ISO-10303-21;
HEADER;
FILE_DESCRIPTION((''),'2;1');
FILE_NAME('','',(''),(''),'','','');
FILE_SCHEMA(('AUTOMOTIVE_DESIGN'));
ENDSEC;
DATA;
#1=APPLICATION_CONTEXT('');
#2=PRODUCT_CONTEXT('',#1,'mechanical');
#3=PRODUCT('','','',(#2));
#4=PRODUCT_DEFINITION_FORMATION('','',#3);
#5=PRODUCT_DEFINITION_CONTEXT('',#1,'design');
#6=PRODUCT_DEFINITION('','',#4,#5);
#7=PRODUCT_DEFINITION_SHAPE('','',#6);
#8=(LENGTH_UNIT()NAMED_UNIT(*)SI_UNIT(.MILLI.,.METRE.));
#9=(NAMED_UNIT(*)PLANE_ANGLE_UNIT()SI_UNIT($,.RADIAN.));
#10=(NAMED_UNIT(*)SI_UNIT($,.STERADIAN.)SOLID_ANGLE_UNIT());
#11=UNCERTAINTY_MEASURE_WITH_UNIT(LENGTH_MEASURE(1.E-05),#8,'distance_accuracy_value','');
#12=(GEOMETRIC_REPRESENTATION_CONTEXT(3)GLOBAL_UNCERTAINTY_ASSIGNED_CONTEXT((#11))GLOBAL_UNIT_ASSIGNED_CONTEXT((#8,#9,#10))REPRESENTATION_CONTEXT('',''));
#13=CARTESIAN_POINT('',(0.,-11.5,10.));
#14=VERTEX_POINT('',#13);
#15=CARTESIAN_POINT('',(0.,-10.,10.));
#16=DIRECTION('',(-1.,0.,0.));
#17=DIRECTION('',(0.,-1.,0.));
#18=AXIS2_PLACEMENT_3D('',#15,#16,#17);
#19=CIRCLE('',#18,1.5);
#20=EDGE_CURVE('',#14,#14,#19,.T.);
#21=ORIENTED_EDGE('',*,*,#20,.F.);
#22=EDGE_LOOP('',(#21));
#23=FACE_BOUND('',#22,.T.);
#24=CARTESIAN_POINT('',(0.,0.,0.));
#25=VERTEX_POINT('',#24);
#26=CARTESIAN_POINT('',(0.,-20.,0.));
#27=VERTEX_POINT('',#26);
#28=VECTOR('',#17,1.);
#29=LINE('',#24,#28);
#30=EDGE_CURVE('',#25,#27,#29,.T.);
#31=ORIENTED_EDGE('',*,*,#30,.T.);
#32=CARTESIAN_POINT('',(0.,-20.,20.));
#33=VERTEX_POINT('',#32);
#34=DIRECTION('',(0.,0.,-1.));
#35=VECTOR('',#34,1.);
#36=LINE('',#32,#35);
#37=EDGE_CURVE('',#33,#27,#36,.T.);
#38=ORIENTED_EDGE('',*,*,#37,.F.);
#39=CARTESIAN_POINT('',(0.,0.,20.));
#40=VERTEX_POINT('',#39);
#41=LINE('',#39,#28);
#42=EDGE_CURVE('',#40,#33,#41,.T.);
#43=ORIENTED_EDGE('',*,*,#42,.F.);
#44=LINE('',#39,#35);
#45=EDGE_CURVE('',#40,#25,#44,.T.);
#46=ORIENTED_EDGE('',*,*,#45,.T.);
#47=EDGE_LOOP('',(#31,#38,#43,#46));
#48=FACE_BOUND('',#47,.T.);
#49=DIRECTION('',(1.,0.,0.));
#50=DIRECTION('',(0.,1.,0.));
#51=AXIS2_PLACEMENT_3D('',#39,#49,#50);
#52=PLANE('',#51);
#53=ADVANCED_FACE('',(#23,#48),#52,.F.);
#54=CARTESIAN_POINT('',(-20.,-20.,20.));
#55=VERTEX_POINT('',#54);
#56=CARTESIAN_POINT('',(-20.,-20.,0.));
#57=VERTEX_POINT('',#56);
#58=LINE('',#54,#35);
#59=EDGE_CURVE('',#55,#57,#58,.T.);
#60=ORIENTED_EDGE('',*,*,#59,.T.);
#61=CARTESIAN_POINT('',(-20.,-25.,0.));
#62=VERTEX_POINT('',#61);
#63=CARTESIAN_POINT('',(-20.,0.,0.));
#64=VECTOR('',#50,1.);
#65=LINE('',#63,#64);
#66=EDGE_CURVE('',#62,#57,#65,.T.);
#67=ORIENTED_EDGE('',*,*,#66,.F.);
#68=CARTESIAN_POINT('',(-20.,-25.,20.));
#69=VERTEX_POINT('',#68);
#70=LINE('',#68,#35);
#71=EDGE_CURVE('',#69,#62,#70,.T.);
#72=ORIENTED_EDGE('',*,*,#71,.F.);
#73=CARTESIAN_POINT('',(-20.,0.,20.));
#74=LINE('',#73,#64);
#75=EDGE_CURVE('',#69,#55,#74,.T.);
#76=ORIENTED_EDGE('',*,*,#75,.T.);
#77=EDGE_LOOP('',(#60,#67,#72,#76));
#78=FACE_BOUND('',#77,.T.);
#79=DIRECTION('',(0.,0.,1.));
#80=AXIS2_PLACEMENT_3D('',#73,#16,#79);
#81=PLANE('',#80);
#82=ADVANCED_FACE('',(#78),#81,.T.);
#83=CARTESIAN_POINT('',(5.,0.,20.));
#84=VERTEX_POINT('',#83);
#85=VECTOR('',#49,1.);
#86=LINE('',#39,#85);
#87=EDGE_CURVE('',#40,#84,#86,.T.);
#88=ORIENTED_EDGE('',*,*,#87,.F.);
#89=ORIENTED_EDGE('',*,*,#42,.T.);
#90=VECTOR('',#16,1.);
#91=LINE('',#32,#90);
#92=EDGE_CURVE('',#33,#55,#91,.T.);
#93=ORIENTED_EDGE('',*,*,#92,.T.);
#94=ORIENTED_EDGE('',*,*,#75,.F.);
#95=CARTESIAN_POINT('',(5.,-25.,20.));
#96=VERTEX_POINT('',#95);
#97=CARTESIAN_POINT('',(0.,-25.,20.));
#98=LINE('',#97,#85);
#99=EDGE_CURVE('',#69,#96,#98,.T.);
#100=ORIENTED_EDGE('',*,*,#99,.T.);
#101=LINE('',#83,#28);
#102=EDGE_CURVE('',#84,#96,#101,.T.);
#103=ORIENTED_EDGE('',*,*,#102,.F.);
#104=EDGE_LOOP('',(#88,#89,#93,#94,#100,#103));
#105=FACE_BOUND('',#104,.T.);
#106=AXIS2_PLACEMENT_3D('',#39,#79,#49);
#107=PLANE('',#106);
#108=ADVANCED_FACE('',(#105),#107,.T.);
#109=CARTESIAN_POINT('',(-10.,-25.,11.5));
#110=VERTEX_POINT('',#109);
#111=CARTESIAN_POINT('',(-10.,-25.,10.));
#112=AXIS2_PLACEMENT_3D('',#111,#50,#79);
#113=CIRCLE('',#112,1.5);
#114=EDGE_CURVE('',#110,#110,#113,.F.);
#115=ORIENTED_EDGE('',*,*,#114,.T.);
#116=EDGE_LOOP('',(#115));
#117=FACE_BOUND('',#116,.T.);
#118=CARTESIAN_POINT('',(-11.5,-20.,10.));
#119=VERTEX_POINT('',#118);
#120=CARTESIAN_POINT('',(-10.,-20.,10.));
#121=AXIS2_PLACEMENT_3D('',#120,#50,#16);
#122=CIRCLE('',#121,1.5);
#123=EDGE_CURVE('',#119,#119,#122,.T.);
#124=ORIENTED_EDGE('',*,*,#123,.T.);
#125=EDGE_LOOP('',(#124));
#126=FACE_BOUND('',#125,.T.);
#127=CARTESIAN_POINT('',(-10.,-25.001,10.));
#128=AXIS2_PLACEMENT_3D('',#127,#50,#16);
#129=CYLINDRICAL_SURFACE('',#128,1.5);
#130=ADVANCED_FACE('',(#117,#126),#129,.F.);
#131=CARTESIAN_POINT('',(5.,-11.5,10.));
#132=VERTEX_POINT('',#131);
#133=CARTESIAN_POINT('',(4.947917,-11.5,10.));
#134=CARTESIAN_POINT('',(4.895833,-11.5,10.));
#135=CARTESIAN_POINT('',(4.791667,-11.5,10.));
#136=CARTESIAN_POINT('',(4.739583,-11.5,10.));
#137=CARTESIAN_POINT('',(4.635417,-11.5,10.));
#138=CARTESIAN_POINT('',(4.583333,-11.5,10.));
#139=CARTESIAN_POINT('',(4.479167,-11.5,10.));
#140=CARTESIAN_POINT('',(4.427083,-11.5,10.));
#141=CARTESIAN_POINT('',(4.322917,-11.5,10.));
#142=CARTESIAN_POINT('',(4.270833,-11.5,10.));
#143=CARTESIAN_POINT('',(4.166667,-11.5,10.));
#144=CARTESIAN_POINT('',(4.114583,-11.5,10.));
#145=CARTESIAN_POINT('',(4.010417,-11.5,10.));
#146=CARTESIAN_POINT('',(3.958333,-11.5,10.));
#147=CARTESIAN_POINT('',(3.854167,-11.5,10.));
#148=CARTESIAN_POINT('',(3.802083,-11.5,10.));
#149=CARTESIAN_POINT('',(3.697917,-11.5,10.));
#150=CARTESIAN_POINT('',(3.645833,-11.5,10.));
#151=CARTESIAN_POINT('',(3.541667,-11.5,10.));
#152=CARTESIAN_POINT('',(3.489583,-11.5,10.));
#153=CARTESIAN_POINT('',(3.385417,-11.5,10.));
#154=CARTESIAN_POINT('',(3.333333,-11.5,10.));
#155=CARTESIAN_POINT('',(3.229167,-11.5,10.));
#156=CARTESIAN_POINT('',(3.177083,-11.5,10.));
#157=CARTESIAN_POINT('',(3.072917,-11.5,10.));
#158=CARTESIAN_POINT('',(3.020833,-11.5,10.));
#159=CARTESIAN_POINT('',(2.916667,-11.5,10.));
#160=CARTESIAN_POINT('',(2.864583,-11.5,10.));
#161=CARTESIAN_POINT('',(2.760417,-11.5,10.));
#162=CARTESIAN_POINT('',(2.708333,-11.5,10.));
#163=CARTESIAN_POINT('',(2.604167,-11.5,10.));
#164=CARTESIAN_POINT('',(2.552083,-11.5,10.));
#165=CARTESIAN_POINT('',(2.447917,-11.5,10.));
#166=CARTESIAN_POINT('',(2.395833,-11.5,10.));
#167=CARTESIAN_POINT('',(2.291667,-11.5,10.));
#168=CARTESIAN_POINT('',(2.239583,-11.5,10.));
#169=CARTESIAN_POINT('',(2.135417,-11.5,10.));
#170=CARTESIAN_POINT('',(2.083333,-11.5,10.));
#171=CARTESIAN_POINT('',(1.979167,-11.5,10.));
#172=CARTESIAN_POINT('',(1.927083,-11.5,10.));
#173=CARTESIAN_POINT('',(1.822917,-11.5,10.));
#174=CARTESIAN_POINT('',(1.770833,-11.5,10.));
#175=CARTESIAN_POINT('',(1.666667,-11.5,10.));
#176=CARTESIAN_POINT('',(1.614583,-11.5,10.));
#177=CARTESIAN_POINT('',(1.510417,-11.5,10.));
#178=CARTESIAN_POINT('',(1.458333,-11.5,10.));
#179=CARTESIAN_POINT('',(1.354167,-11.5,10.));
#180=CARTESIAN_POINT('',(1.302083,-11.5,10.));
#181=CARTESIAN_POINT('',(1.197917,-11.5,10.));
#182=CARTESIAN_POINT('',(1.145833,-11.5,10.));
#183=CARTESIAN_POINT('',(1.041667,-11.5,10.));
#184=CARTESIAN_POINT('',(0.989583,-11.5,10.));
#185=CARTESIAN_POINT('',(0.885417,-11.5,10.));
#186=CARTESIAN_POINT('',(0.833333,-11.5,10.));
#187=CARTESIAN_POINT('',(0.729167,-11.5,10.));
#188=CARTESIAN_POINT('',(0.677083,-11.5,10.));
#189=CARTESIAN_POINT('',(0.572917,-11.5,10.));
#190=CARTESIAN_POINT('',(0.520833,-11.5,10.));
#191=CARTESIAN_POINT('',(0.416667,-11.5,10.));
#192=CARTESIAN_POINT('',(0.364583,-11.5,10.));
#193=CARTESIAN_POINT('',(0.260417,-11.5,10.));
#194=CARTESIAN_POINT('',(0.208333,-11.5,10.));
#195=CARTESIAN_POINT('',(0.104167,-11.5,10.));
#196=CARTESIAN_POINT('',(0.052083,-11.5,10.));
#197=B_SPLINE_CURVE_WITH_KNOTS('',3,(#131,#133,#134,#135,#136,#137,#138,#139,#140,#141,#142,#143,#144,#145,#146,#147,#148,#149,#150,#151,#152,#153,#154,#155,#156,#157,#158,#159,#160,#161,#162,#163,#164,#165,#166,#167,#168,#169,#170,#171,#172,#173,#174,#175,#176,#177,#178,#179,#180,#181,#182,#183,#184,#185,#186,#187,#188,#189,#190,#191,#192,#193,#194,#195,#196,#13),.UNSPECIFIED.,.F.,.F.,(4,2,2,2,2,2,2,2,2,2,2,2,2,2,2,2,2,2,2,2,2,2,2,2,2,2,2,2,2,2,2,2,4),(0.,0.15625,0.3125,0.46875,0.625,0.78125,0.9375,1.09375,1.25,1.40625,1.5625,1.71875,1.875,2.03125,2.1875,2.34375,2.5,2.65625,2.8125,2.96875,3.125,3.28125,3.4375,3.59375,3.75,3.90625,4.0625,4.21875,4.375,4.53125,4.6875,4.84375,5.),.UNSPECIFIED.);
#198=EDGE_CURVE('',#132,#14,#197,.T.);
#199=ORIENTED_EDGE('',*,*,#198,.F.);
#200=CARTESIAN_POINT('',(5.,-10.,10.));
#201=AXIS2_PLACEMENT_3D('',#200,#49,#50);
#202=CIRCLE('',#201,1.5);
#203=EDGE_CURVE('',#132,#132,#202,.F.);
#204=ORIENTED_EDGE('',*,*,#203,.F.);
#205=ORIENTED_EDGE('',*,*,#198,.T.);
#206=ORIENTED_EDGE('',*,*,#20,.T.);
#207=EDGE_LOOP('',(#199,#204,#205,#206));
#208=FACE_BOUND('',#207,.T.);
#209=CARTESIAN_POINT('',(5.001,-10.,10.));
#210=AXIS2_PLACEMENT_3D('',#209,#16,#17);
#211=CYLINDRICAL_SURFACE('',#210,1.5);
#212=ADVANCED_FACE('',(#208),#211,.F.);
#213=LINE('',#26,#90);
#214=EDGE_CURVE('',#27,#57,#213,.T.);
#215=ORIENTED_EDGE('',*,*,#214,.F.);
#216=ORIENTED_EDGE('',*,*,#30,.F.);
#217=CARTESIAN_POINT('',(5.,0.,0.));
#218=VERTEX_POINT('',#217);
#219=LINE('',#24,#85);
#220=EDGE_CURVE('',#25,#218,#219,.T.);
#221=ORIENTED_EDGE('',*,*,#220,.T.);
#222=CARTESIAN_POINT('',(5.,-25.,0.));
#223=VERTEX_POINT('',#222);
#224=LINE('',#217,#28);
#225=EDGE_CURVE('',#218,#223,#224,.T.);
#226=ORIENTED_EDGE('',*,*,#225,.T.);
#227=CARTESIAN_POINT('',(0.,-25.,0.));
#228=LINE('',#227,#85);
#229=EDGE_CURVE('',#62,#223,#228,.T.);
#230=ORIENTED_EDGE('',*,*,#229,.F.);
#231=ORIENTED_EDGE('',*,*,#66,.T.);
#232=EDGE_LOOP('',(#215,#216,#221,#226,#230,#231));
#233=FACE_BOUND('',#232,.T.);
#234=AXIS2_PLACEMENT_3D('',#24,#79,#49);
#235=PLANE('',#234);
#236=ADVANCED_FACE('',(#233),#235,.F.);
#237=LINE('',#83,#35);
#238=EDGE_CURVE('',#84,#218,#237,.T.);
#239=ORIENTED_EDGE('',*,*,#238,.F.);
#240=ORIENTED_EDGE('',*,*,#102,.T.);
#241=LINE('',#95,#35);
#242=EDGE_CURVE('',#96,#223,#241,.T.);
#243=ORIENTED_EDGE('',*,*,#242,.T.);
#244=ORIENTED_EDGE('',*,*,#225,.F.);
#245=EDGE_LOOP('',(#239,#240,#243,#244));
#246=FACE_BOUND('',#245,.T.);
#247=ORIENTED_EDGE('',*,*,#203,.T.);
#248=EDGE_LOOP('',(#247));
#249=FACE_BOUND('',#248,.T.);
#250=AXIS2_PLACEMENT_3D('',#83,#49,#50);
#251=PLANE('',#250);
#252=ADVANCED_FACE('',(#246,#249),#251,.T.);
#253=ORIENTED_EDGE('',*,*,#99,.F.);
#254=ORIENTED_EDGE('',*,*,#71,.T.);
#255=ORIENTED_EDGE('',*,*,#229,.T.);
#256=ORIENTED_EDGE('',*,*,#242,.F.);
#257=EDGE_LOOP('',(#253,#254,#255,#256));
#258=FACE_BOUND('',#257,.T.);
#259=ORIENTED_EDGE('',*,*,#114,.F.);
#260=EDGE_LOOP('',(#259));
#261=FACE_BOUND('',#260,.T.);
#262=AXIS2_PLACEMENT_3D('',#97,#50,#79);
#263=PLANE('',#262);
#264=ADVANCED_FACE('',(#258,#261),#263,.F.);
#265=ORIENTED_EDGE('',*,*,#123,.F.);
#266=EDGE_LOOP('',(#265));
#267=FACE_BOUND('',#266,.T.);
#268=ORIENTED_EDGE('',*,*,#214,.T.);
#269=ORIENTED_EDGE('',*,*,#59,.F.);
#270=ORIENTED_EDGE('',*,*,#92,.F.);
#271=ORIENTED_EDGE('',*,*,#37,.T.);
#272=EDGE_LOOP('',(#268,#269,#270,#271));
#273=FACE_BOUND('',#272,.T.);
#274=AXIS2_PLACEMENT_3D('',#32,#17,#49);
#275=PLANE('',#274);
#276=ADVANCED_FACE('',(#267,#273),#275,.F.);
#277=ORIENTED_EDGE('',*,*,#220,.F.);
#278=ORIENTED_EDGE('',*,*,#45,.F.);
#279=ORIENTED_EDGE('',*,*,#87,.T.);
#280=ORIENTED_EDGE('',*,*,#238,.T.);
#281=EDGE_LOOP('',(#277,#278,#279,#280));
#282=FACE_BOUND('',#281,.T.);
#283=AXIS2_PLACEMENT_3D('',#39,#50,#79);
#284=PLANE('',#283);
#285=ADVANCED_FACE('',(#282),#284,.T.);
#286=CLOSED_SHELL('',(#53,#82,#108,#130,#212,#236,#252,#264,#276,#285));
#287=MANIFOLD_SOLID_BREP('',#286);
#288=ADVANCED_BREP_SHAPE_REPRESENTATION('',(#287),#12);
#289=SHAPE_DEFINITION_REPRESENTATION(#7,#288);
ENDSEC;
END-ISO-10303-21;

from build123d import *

# Parameters (mm, degrees)
SKETCH_1_W          = 5
SKETCH_1_H          = 20
SKETCH_1_H_2        = 5
SKETCH_1_W_2        = 20
EXTRUDE_1_DEPTH     = 20
CUT_EXTRUDE_1_REACH = 36.641
SKETCH_2_R          = 1.5
CUT_EXTRUDE_2_REACH = 39.749
SKETCH_3_R          = 1.5


with BuildPart() as part:
    # 草图1 → 凸台-拉伸1 (new body)
    with BuildSketch(Plane.XY):
        with Locations((2.5, -10)):
            Rectangle(SKETCH_1_W, SKETCH_1_H)
        with Locations((2.5, -22.5)):
            Rectangle(SKETCH_1_W, SKETCH_1_H_2)
        with Locations((-10, -22.5)):
            Rectangle(SKETCH_1_W_2, SKETCH_1_H_2)
    extrude(amount=EXTRUDE_1_DEPTH)

    # 草图2 → 切除-拉伸1 (cut, up to next)
    with BuildSketch(Plane(origin=(0, -20, 0), x_dir=(1, 0, 0), z_dir=(0, 1, 0)), mode=Mode.PRIVATE) as cut_extrude_1_sk1:
        with Locations(Location((-10, -10, 0), (0, 0, 180))):
            Circle(SKETCH_2_R)
    cut_extrude_1_tool1 = extrude(cut_extrude_1_sk1.sketch, amount=-CUT_EXTRUDE_1_REACH, mode=Mode.PRIVATE) & part.part
    add(cut_extrude_1_tool1.solids().sort_by_distance((-10, -20, 10))[0], mode=Mode.SUBTRACT)

    # 草图3 → 切除-拉伸2 (cut, up to next)
    with BuildSketch(Plane.ZY, mode=Mode.PRIVATE) as cut_extrude_2_sk1:
        with Locations(Location((10, -10, 0), (0, 0, 270))):
            Circle(SKETCH_3_R)
    cut_extrude_2_tool1 = extrude(cut_extrude_2_sk1.sketch, amount=-CUT_EXTRUDE_2_REACH, mode=Mode.PRIVATE) & part.part
    add(cut_extrude_2_tool1.solids().sort_by_distance((0, -10, 10))[0], mode=Mode.SUBTRACT)


solid = part.part
